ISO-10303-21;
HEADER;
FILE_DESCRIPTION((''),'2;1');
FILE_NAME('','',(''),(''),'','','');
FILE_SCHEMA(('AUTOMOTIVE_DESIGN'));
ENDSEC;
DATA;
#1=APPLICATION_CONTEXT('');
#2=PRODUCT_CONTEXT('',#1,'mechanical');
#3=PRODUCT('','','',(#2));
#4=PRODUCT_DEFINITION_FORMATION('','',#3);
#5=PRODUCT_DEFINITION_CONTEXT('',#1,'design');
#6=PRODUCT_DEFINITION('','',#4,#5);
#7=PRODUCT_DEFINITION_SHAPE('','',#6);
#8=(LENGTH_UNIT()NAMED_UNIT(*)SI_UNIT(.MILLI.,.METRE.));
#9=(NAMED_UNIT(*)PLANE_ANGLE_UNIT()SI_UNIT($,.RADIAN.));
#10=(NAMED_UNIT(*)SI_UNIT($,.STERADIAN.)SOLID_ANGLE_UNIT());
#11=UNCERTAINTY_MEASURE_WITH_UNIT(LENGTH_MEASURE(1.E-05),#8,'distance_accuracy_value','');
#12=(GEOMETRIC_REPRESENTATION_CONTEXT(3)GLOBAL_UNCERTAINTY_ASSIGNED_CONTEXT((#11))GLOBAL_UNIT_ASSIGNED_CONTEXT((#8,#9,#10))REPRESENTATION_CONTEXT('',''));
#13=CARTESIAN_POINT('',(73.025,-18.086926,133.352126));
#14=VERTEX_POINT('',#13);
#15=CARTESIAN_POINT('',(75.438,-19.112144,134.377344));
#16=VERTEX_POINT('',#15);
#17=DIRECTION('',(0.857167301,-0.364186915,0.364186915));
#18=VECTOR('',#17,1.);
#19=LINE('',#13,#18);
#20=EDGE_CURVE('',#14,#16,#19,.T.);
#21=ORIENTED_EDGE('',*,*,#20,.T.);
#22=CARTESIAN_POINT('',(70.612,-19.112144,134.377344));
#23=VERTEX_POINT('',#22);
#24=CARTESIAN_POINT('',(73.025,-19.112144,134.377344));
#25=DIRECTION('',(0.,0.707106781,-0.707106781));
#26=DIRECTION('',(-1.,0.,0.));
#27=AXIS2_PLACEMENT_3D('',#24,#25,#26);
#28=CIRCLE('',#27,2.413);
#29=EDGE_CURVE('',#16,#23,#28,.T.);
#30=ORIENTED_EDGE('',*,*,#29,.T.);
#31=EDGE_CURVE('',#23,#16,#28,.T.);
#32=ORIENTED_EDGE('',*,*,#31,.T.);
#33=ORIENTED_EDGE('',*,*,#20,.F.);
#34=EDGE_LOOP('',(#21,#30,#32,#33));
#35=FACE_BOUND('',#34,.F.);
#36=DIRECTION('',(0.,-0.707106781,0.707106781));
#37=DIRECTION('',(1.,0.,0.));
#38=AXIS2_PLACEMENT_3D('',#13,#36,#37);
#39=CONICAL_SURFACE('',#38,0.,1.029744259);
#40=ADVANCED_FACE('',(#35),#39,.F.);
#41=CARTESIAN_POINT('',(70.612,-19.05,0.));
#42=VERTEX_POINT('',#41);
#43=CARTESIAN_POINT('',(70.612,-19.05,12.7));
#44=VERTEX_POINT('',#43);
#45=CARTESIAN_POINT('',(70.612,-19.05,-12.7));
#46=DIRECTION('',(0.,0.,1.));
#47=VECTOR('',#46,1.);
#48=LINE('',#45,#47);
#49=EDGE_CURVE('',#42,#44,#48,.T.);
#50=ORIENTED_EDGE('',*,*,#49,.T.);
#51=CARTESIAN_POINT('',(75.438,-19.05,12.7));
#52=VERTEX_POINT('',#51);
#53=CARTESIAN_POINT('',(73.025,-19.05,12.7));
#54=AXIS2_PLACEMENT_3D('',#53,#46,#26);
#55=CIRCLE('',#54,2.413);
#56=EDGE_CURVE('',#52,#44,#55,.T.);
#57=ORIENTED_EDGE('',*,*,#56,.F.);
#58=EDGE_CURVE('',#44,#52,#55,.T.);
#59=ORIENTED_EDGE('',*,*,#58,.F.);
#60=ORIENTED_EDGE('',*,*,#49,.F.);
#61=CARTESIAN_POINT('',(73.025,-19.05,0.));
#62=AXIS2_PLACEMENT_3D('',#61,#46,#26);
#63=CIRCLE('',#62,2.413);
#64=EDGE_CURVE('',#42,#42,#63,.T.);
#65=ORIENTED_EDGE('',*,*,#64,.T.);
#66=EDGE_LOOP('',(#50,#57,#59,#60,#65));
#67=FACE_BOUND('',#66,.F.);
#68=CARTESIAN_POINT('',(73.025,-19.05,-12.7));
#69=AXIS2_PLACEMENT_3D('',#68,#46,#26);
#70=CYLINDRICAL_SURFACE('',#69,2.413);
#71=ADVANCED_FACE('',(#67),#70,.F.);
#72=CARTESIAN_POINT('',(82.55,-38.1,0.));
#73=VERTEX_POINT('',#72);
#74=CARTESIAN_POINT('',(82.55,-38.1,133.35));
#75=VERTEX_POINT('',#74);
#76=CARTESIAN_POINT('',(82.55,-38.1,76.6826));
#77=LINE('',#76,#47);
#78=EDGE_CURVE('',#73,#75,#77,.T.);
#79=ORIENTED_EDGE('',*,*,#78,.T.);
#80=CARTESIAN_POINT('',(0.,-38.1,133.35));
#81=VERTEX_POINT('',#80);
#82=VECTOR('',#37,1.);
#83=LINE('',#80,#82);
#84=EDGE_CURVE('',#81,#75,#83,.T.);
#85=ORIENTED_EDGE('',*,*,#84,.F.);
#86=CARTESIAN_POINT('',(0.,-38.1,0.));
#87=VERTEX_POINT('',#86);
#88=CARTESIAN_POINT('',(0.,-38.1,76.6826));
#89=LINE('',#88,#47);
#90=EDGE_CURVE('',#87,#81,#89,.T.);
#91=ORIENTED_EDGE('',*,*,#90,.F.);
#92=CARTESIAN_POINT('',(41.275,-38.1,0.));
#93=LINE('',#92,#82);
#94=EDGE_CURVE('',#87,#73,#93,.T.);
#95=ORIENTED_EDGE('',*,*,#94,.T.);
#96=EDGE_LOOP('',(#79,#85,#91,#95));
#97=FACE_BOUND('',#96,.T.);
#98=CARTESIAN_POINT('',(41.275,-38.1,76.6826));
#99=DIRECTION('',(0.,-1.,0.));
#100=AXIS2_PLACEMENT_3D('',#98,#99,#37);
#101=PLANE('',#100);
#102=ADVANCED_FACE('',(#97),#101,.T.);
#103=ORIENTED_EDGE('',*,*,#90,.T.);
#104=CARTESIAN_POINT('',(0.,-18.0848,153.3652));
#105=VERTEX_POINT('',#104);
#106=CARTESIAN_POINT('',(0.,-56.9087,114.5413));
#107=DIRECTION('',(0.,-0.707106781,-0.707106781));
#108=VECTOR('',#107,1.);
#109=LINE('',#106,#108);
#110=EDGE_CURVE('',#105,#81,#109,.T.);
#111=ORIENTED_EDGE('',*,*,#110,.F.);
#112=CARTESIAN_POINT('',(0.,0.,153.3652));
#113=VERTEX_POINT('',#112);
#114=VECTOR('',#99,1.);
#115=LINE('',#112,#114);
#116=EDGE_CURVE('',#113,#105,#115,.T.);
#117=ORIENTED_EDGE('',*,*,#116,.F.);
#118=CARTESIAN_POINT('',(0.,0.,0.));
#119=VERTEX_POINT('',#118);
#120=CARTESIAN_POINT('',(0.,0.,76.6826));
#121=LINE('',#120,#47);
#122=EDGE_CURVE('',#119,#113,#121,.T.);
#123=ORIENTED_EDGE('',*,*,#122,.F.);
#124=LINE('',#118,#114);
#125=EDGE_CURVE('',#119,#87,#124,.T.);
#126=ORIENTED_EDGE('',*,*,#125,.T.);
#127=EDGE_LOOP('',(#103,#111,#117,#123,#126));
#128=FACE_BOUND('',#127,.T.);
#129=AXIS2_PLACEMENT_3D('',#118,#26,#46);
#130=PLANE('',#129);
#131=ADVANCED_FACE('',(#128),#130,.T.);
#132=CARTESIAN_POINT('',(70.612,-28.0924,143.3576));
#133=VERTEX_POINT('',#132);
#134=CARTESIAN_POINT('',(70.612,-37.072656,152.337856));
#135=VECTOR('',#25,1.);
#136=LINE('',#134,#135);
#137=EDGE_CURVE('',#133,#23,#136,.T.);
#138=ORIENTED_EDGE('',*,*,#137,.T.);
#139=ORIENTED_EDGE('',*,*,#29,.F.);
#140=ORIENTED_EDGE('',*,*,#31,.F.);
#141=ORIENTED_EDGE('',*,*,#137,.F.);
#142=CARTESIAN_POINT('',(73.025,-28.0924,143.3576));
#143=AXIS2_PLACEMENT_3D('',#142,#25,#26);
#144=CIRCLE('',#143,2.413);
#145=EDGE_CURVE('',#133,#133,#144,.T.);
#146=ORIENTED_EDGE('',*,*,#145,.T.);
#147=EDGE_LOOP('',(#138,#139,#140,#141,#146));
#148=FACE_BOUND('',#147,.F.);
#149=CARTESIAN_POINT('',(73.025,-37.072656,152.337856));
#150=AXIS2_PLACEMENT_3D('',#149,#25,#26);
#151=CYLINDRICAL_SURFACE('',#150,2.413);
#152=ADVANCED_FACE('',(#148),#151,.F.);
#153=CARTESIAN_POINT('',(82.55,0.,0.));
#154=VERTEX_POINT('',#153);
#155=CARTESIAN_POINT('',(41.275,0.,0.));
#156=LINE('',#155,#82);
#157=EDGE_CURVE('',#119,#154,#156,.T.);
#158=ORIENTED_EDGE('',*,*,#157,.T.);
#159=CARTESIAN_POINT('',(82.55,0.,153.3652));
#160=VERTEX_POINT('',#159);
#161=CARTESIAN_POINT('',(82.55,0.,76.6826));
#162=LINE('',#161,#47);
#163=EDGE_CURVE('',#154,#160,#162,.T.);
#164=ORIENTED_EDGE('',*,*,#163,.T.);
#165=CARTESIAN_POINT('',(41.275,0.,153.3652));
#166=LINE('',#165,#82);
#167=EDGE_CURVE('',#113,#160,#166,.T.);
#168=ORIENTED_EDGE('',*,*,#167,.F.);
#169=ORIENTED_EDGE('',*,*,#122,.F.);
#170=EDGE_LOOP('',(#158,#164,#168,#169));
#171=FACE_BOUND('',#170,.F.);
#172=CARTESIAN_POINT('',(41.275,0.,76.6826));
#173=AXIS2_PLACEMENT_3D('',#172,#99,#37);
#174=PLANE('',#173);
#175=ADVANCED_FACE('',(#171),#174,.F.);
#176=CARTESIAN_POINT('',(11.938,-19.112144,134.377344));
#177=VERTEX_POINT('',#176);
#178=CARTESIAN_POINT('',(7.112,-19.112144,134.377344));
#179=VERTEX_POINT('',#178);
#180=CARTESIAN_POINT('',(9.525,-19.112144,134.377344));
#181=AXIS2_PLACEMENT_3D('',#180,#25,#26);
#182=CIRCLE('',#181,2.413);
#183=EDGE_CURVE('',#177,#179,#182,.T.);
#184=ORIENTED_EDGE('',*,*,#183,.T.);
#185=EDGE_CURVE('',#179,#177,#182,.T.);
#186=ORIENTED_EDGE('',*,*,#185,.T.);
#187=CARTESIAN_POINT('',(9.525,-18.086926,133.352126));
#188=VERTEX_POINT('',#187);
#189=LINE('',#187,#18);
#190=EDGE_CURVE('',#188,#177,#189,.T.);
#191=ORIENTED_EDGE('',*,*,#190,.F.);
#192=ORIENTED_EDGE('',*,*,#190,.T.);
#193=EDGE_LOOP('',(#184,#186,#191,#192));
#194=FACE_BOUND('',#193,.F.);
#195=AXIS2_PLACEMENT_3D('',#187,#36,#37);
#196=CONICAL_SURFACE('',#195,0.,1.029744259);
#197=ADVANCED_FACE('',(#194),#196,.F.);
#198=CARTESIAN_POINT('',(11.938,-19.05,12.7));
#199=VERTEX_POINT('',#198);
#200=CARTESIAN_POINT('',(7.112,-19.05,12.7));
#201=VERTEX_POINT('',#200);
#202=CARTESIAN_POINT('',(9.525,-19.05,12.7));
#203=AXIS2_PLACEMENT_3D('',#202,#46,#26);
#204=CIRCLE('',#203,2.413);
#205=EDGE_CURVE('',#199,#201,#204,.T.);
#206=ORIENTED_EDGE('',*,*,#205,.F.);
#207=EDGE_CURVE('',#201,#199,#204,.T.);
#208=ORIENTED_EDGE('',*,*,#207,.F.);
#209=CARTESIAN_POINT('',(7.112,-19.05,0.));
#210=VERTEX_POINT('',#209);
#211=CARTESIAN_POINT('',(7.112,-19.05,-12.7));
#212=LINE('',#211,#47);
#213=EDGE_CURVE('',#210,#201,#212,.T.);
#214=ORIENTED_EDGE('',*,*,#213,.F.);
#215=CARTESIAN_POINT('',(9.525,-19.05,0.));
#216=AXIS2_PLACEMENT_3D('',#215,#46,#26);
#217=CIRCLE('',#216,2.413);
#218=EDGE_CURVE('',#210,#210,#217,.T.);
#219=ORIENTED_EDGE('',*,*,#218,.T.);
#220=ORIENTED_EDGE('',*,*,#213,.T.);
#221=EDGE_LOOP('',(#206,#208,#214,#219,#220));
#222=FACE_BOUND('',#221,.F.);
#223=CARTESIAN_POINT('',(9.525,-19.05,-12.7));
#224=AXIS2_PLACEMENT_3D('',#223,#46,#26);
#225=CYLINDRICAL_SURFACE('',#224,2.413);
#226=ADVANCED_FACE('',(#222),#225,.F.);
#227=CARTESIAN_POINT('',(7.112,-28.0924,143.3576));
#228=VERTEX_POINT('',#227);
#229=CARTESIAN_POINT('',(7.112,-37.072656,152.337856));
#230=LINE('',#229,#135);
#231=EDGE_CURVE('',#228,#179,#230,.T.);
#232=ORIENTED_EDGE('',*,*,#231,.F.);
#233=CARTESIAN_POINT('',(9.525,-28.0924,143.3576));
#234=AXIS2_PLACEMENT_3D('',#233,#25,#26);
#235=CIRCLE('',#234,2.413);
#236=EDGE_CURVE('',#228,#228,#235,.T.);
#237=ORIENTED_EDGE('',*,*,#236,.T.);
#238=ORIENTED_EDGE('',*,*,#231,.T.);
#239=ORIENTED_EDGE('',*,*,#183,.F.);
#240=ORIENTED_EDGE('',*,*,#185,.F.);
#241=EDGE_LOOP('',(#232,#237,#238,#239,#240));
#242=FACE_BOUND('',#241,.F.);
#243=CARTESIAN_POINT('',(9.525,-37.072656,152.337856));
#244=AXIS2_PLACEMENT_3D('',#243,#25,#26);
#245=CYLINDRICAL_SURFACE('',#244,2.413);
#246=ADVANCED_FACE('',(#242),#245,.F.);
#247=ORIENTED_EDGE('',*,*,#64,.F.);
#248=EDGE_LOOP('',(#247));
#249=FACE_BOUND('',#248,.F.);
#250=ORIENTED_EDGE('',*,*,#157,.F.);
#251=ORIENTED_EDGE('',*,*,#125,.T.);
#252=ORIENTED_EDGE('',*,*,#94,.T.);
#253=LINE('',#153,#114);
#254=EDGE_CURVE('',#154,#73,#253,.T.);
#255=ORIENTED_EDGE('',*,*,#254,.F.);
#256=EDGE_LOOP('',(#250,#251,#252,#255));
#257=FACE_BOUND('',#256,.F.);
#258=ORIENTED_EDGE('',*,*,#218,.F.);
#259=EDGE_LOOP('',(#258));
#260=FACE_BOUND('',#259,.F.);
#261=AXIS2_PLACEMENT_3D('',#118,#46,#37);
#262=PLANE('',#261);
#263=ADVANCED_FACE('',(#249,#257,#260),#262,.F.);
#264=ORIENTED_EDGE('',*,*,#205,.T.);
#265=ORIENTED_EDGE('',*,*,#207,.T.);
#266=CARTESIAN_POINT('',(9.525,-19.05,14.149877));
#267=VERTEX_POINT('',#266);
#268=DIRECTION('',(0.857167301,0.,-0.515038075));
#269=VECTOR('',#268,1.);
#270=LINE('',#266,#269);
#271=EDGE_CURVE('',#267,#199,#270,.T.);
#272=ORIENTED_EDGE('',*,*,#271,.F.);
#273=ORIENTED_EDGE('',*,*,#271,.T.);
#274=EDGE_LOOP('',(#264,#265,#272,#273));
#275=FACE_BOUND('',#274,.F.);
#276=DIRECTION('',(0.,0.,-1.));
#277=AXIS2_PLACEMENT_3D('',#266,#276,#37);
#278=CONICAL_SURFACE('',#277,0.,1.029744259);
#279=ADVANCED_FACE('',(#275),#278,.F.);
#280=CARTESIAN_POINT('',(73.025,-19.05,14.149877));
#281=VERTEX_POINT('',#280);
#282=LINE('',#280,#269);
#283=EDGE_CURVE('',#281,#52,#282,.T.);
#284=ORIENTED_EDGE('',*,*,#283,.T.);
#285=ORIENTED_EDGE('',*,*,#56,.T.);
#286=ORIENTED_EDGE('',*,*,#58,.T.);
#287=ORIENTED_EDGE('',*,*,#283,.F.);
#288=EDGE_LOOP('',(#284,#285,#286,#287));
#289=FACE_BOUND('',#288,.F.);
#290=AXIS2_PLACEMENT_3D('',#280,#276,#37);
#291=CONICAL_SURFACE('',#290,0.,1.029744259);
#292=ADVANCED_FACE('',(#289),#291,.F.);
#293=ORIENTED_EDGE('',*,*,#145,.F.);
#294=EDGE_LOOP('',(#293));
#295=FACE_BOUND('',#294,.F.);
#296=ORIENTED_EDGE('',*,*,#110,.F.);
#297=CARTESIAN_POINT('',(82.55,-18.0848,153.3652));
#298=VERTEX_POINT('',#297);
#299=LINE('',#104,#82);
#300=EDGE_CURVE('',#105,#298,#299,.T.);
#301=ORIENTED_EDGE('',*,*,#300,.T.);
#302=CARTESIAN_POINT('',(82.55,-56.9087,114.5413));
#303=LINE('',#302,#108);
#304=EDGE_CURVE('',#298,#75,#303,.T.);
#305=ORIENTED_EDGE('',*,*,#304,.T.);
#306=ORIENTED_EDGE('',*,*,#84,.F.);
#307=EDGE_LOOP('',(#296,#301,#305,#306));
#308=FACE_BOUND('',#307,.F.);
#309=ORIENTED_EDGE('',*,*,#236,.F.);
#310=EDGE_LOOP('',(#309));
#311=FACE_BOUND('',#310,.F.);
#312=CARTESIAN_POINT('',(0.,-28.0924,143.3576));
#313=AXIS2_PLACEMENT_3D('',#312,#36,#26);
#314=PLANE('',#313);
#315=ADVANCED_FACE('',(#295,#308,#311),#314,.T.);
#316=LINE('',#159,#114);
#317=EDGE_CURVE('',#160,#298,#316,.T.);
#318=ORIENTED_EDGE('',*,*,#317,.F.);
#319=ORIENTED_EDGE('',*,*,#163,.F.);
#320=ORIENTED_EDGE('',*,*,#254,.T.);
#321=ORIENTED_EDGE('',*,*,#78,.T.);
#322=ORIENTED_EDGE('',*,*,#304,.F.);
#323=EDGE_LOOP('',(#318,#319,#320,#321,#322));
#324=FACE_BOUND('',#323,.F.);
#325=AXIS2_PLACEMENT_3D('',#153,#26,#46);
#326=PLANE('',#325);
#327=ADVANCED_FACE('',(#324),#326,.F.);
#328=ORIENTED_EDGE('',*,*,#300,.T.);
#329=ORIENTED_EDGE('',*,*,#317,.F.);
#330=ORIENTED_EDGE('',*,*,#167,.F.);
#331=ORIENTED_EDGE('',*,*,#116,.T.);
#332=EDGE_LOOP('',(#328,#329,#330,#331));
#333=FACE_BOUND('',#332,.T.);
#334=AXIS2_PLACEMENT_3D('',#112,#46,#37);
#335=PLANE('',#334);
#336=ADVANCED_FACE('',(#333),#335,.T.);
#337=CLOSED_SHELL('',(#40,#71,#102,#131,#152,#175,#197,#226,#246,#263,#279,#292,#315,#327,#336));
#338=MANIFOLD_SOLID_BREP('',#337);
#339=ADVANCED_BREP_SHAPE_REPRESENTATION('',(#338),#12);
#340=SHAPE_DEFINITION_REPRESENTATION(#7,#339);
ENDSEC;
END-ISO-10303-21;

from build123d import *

# Parameters (mm, degrees)
F0_W           = 82.55
F0_H           = 153.3652
F1_DEPTH       = 38.1
F2_SIZE2       = 20.0152
F2_SIZE        = 20.0152
F5_D           = 4.826
F5_DEPTH       = 12.7
F5_TIP         = 1.4498766737
F5_ON_F4_D     = 4.826
F5_ON_F4_DEPTH = 12.7
F5_ON_F4_TIP   = 1.4498766737


with BuildPart() as f1:
    # F0 (on Front) → F1 (new body)
    with BuildSketch(Plane.XZ):
        with Locations((41.275, 76.6826)):
            Rectangle(F0_W, F0_H)
    extrude(amount=F1_DEPTH)

    # F2
    f2_edges = [f1.edges().sort_by_distance(p)[0] for p in [
        (41.275, -38.1, 153.3652),
    ]]
    chamfer(f2_edges, length=F2_SIZE, length2=F2_SIZE2)

    # F5
    with Locations(Plane(origin=(0, -85.725, 85.725), x_dir=(1, 0, 0), z_dir=(0, -0.7071067812, 0.7071067812))):
        with Locations((9.525, 81.5048045548), (73.025, 81.5048045548)):
            Hole(F5_D / 2, depth=F5_DEPTH)
            with Locations((0, 0, -(F5_DEPTH + F5_TIP / 2))):  # 118° drill point
                Cone(0, F5_D / 2, F5_TIP, mode=Mode.SUBTRACT)

    # F5 on F4
    with Locations(Plane(origin=(0, 0, 0), x_dir=(1, 0, 0), z_dir=(0, 0, -1))):
        with Locations((9.525, 19.05), (73.025, 19.05)):
            Hole(F5_ON_F4_D / 2, depth=F5_ON_F4_DEPTH)
            with Locations((0, 0, -(F5_ON_F4_DEPTH + F5_ON_F4_TIP / 2))):  # 118° drill point
                Cone(0, F5_ON_F4_D / 2, F5_ON_F4_TIP, mode=Mode.SUBTRACT)


solid = f1.part
